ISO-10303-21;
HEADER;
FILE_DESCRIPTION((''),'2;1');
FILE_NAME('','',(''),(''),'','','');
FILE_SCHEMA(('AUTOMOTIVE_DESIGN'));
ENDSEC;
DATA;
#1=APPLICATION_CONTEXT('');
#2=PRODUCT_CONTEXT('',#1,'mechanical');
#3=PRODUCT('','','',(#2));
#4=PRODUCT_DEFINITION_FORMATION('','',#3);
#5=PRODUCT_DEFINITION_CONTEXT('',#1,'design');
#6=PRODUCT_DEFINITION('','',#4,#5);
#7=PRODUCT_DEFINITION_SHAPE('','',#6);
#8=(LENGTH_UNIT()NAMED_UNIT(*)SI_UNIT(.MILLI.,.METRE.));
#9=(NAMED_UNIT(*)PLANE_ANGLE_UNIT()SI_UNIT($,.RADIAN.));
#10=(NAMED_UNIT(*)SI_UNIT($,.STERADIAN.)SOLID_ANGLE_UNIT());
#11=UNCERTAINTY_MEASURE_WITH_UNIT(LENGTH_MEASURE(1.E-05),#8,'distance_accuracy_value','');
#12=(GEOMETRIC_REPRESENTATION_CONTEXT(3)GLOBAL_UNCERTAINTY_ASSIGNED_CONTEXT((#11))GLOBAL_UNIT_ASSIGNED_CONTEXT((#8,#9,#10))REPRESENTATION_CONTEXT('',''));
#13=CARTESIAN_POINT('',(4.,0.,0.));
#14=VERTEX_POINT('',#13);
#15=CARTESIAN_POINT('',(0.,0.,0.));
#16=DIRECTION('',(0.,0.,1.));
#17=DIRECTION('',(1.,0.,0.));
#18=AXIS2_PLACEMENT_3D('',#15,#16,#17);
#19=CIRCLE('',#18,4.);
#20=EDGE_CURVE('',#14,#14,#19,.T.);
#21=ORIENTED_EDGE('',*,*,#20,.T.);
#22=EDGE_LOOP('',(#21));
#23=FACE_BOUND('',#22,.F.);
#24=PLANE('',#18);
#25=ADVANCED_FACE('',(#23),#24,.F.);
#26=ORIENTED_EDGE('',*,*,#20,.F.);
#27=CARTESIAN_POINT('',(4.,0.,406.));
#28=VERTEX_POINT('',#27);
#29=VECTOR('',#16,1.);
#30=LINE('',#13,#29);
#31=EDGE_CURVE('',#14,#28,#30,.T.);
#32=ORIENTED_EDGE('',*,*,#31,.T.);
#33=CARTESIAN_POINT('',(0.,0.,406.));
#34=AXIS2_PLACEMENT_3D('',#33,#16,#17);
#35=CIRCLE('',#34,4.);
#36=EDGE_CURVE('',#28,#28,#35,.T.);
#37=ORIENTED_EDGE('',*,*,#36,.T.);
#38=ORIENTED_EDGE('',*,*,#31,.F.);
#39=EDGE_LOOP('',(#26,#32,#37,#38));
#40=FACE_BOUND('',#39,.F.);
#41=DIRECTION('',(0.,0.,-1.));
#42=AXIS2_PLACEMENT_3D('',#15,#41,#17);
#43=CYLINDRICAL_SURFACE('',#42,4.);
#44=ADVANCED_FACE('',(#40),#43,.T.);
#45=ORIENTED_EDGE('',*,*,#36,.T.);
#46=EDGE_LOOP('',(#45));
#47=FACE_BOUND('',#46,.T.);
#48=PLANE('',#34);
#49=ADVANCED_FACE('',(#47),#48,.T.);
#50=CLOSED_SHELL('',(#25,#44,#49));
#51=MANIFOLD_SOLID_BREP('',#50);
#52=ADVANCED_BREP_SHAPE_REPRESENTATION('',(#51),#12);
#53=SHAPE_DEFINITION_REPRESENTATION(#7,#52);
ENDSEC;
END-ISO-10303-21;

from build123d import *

# Parameters (mm, degrees)
SKETCH1_R           = 4
BOSS_EXTRUDE1_DEPTH = 406


with BuildPart() as part:
    # Sketch1 → Boss-Extrude1 (new body)
    with BuildSketch(Plane.XY):
        Circle(SKETCH1_R)
    extrude(amount=BOSS_EXTRUDE1_DEPTH)


solid = part.part
